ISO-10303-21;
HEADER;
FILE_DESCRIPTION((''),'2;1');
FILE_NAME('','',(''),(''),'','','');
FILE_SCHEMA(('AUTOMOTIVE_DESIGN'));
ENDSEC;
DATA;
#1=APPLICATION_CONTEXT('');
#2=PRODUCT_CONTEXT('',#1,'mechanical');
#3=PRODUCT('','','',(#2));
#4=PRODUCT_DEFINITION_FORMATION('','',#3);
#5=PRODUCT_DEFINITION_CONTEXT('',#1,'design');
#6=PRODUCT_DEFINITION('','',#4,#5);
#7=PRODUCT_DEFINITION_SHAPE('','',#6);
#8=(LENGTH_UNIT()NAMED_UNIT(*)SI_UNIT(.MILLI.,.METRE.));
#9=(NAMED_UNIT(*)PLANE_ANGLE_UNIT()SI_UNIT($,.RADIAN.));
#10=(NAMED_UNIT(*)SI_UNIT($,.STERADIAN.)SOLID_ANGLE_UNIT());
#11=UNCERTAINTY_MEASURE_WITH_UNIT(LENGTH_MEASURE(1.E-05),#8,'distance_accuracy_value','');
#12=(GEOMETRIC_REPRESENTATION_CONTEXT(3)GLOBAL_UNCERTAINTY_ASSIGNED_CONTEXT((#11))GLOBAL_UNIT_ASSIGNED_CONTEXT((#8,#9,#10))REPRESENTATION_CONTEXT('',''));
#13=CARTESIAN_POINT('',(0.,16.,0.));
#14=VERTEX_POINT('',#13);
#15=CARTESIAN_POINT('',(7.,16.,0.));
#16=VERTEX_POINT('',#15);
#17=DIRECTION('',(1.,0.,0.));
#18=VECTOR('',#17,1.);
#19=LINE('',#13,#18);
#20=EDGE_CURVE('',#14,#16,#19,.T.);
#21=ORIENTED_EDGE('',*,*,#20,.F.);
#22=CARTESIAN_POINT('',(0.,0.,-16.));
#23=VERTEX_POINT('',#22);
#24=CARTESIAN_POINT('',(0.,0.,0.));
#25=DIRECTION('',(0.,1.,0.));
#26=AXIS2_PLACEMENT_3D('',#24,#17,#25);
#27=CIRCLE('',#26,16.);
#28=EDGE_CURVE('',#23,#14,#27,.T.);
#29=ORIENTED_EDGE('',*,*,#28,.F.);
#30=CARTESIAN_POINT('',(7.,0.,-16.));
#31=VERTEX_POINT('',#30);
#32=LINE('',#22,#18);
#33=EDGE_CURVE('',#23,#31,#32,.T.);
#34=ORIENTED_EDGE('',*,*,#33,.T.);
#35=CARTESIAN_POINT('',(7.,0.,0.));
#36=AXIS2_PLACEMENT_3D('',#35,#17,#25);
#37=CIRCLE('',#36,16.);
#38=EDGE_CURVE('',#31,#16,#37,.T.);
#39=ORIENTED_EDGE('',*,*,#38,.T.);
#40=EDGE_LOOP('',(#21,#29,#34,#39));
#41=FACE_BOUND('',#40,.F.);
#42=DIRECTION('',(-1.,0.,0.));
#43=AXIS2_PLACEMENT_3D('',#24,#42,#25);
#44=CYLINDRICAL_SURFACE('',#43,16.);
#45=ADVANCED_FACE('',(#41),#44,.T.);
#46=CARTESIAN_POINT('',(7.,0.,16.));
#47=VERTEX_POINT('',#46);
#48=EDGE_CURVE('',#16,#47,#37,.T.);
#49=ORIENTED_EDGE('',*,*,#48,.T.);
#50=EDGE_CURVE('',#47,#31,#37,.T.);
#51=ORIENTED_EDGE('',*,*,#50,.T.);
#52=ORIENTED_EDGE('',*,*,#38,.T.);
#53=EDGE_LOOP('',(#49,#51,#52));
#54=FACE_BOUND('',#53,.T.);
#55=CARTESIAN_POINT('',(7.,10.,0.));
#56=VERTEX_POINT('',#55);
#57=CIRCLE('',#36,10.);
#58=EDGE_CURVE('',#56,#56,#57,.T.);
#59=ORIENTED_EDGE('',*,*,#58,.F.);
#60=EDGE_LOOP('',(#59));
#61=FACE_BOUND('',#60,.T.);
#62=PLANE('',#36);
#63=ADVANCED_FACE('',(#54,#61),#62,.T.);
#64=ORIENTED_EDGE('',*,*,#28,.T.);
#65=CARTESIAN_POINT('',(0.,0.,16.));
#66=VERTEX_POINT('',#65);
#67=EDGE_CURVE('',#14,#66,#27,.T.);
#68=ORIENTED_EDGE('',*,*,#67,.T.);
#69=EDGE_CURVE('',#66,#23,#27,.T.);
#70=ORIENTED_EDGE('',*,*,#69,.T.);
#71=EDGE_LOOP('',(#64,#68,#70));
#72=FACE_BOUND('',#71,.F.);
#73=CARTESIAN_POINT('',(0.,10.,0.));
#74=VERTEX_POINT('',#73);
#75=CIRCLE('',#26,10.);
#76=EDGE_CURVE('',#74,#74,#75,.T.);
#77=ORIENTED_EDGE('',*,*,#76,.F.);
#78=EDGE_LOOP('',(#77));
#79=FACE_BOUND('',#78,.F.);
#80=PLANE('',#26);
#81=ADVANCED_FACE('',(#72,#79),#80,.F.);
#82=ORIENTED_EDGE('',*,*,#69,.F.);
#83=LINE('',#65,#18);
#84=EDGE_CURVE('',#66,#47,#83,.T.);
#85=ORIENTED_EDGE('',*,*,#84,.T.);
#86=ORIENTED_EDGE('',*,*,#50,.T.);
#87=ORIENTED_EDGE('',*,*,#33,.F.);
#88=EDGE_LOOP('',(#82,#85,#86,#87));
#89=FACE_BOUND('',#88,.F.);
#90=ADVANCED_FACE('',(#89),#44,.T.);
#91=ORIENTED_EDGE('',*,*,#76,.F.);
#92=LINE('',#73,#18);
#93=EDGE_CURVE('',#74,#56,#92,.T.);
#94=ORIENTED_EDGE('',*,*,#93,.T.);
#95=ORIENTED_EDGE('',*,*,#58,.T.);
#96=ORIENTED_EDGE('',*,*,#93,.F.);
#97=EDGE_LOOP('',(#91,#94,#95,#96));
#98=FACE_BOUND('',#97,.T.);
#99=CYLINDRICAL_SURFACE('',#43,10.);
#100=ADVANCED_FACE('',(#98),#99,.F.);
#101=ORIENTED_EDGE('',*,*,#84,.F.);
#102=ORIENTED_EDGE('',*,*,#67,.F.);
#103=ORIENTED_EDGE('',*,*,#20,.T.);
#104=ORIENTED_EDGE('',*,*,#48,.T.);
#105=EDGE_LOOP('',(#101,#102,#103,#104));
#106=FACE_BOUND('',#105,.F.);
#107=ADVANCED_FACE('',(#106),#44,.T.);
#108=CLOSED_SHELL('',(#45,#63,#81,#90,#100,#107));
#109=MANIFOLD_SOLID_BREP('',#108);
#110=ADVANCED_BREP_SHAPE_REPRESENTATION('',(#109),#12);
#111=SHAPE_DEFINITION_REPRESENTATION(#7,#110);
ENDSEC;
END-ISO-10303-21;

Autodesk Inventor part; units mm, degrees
ref_plane "YZ Plane" through (0, 0, 0) normal (1, 0, 0) x (0, 1, 0)
ref_plane "XZ Plane" through (0, 0, 0) normal (0, 1, 0) x (-1, 0, 0)
ref_plane "XY Plane" through (0, 0, 0) normal (0, 0, 1) x (1, 0, 0)
sketch "Sketch1" plane through (0, 0, 0) normal (1, 0, 0) x (0, 1, 0)
  circle A0 centre (0, 0) radius 10
  circle A1 centre (0, 0) radius 16
  line L0 (0, 0) -> (-20, 0) construction
  line L1 (0, 0) -> (20, 0) construction
  circle A2 centre (-23.5, 0) radius 3.5 construction
  circle A3 centre (-23.5, 0) radius 2.75
  circle A4 centre (-23.5, 0) radius 5
  circle A5 centre (0, 0) radius 20
  line L2 (-26.6915, -3.8489) -> (-12.766, -15.3958)
  line L3 (-26.6915, 3.8489) -> (-12.766, 15.3958)
  circle A6 centre (0, -20) radius 2.75
  circle A7 centre (0, -20) radius 4
  line L4 (0, 0) -> (0, -30) construction
  line L5 (2.4, -23.2) -> (12, -16)
  line L6 (-2.4, -23.2) -> (-12, -16)
  circle A8 centre (0, 20) radius 2.75
  circle A9 centre (0, 20) radius 4
  line L7 (2.4, 23.2) -> (12, 16)
  line L8 (-2.4, 23.2) -> (-12, 16)
  dimension "d6" = 7
  dimension "d8" = 10
  dimension "d0" = 20
  dimension "d1" = 32
  dimension "d4" = 20
  dimension "d5" = 180
  dimension "d7" = 5.5
  dimension "d9" = 40
  dimension "d10" = 5.5
  dimension "d11" = 30
extrude "Extrusion1" add sketch "Sketch1" along normal blind 7 contours A1
properties part number "6804"
